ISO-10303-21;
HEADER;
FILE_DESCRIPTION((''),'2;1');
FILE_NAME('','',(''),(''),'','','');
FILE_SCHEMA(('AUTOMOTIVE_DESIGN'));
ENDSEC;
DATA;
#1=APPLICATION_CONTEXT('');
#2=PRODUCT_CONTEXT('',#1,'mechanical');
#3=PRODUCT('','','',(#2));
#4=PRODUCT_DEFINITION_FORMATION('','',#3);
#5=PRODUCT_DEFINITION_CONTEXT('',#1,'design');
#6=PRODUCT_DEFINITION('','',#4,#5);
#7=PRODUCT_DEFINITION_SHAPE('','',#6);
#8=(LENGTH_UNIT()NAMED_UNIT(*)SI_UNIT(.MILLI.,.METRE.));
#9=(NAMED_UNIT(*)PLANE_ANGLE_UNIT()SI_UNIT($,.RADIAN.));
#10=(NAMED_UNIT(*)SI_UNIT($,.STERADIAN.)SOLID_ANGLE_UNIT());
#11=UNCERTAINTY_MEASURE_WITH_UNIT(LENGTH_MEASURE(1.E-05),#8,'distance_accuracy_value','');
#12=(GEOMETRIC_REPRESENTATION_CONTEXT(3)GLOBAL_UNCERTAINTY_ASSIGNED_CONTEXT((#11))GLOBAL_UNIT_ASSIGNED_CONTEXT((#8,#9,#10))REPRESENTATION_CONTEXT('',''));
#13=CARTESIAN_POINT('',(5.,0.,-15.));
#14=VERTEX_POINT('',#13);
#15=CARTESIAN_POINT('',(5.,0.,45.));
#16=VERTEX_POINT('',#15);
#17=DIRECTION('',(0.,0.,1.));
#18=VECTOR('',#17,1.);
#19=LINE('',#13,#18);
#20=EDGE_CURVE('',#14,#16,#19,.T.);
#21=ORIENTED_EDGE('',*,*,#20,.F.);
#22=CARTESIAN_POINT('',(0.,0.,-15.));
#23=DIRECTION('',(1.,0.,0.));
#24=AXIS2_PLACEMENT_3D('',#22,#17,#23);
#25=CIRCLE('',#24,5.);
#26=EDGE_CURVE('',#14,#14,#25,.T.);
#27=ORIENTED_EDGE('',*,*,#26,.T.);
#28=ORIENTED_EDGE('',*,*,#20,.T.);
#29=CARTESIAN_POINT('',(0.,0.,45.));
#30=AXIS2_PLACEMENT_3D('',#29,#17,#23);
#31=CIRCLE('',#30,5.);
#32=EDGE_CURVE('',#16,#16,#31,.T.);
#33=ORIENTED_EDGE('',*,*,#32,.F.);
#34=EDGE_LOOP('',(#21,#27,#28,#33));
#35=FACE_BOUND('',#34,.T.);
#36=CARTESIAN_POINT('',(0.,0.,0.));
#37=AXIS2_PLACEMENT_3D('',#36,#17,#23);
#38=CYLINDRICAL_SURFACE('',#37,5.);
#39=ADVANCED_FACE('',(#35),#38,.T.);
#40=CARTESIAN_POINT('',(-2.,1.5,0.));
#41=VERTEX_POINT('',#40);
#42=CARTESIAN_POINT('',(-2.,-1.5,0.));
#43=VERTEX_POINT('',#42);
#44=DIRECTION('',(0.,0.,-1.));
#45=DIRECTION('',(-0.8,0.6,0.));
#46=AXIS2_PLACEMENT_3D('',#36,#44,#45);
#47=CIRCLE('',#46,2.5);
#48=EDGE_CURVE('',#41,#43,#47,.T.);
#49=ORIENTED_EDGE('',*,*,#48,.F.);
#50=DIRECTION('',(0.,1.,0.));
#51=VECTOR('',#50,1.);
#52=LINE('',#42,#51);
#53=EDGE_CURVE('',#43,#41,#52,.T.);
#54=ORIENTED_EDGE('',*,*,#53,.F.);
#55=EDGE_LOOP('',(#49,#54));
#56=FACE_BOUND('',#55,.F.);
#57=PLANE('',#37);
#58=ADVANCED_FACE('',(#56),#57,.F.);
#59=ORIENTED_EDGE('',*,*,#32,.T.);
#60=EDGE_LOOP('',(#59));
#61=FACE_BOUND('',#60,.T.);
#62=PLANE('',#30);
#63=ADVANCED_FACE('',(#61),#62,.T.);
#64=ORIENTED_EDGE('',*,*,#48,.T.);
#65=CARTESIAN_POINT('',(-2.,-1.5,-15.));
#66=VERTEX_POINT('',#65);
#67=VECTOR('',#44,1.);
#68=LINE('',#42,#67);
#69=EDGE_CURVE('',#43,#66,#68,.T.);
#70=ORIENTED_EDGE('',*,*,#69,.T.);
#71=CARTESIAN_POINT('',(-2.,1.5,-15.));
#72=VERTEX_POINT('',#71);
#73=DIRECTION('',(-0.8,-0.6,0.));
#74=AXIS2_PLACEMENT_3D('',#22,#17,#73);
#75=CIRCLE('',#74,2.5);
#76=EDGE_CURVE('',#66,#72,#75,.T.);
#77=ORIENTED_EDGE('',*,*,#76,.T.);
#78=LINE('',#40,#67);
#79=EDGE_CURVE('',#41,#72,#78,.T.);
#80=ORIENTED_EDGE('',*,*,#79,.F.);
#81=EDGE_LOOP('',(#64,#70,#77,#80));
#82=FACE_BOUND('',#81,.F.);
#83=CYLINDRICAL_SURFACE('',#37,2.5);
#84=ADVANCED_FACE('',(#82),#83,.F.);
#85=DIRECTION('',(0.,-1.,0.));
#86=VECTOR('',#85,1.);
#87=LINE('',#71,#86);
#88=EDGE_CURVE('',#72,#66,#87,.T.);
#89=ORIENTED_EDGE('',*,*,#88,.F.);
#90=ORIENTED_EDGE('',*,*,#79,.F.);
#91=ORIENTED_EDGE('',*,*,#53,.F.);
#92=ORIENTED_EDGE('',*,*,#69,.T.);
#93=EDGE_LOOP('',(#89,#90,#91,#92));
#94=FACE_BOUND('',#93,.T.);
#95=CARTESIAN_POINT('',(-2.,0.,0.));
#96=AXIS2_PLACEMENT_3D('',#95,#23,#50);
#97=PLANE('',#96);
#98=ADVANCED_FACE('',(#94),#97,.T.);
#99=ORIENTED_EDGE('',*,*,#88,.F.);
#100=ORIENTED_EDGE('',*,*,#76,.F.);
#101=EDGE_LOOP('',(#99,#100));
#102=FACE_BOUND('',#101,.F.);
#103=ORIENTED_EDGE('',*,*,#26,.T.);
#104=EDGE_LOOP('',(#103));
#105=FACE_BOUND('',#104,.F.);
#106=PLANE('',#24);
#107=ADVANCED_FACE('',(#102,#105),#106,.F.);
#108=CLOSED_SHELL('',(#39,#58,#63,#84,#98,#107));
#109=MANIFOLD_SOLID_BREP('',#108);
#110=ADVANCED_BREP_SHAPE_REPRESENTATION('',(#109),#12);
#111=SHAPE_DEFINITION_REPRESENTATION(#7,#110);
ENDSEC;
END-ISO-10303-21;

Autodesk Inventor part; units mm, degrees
ref_plane "YZ Plane" through (0, 0, 0) normal (1, 0, 0) x (0, 1, 0)
ref_plane "XZ Plane" through (0, 0, 0) normal (0, 1, 0) x (-1, 0, 0)
ref_plane "XY Plane" through (0, 0, 0) normal (0, 0, 1) x (1, 0, 0)
sketch "스케치1" plane through (0, 0, 0) normal (0, 0, 1) x (1, 0, 0)
  circle A0 centre (0, 0) radius 5
  circle A1 centre (0, 0) radius 2.5
  line L0 (2.5, 0) -> (-2, 0)
  line L1 (-2, 0) -> (-2, 1.5)
  line L2 (-2, 0) -> (-2, -1.5)
  dimension "d0" = 10
  dimension "d1" = 5
  dimension "d2" = 4.5
extrude "돌출1" add sketch "스케치1" against normal blind 15 contours A0 | L1 L2 A1
extrude "돌출2" add sketch "스케치1" along normal blind 45 contours A0 | L0 L1 A1 | A1 L2 L0 | L1 L2 A1
properties part number "base worm"
